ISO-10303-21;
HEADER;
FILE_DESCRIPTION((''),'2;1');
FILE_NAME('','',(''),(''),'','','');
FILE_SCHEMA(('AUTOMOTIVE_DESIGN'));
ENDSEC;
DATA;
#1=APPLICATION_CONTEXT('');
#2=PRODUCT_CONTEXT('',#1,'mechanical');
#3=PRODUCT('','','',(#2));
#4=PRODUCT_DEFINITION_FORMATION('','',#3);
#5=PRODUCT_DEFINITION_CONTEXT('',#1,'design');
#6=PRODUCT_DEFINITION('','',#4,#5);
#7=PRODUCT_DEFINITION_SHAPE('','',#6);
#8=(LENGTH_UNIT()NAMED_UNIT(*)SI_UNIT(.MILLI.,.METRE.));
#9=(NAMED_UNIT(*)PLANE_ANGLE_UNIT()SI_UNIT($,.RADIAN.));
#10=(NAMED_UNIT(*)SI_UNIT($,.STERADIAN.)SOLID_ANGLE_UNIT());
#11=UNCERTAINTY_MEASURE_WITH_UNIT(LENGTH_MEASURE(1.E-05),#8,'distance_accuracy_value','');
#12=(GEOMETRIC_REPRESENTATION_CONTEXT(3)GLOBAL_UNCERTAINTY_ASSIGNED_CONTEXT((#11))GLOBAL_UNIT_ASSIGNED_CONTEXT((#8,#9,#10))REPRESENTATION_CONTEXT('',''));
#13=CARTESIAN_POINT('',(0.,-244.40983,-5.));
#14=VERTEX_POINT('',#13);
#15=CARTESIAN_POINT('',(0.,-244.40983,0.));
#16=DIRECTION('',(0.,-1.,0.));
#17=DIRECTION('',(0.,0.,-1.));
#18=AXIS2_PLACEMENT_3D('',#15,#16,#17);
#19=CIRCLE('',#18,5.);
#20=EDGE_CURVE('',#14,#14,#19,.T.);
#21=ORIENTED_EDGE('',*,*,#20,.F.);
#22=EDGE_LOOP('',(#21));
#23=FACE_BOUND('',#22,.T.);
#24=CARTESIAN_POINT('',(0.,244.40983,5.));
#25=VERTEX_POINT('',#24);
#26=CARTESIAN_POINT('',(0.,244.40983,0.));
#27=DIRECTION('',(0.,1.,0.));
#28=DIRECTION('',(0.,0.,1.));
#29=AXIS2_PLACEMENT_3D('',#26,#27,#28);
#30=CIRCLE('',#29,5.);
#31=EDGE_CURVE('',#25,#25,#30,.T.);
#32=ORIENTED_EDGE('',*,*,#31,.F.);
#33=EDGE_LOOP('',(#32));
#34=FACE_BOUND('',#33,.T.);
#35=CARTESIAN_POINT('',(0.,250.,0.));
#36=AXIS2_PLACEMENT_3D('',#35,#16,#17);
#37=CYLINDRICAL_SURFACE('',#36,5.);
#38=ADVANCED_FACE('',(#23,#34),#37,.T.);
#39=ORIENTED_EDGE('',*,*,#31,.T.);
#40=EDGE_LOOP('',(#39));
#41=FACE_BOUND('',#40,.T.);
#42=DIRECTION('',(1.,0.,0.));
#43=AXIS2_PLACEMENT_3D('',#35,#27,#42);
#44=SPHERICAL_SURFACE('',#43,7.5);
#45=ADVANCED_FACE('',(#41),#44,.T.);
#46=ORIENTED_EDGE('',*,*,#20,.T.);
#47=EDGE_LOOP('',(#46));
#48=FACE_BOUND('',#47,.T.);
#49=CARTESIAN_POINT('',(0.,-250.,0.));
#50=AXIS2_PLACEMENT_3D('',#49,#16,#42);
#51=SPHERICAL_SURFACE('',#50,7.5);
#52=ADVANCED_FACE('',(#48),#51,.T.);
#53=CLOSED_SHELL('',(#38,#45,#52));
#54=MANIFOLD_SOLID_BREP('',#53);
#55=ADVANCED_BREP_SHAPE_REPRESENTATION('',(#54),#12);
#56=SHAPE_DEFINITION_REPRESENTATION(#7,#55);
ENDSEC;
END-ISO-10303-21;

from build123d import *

# Parameters (mm, degrees)
SKETCH_2_R      = 5
EXTRUDE_1_DEPTH = 250


with BuildPart() as part:
    # 草图2 → 凸台-拉伸1 (new, symmetric)
    with BuildSketch(Plane(origin=(0, 0, 0), x_dir=(1, 0, 0), z_dir=(0, 1, 0))):
        with Locations(Location((0, 0, 0), (0, 0, 270))):
            Circle(SKETCH_2_R)
    extrude(amount=EXTRUDE_1_DEPTH, both=True)

    # 草图3 → 旋转1 (revolve)
    with BuildSketch(Plane.XY):
        with BuildLine():
            Line((0, 257.5), (0, 242.5))
            ThreePointArc((0, 242.5), (7.5, 250), (0, 257.5))
        make_face()
    revolve_1 = revolve(axis=Axis((0, 257.5, 0), (0, -1, 0)))

    # 镜向1: 旋转1 across plane
    add(revolve_1.mirror(Plane.ZX))


solid = part.part
